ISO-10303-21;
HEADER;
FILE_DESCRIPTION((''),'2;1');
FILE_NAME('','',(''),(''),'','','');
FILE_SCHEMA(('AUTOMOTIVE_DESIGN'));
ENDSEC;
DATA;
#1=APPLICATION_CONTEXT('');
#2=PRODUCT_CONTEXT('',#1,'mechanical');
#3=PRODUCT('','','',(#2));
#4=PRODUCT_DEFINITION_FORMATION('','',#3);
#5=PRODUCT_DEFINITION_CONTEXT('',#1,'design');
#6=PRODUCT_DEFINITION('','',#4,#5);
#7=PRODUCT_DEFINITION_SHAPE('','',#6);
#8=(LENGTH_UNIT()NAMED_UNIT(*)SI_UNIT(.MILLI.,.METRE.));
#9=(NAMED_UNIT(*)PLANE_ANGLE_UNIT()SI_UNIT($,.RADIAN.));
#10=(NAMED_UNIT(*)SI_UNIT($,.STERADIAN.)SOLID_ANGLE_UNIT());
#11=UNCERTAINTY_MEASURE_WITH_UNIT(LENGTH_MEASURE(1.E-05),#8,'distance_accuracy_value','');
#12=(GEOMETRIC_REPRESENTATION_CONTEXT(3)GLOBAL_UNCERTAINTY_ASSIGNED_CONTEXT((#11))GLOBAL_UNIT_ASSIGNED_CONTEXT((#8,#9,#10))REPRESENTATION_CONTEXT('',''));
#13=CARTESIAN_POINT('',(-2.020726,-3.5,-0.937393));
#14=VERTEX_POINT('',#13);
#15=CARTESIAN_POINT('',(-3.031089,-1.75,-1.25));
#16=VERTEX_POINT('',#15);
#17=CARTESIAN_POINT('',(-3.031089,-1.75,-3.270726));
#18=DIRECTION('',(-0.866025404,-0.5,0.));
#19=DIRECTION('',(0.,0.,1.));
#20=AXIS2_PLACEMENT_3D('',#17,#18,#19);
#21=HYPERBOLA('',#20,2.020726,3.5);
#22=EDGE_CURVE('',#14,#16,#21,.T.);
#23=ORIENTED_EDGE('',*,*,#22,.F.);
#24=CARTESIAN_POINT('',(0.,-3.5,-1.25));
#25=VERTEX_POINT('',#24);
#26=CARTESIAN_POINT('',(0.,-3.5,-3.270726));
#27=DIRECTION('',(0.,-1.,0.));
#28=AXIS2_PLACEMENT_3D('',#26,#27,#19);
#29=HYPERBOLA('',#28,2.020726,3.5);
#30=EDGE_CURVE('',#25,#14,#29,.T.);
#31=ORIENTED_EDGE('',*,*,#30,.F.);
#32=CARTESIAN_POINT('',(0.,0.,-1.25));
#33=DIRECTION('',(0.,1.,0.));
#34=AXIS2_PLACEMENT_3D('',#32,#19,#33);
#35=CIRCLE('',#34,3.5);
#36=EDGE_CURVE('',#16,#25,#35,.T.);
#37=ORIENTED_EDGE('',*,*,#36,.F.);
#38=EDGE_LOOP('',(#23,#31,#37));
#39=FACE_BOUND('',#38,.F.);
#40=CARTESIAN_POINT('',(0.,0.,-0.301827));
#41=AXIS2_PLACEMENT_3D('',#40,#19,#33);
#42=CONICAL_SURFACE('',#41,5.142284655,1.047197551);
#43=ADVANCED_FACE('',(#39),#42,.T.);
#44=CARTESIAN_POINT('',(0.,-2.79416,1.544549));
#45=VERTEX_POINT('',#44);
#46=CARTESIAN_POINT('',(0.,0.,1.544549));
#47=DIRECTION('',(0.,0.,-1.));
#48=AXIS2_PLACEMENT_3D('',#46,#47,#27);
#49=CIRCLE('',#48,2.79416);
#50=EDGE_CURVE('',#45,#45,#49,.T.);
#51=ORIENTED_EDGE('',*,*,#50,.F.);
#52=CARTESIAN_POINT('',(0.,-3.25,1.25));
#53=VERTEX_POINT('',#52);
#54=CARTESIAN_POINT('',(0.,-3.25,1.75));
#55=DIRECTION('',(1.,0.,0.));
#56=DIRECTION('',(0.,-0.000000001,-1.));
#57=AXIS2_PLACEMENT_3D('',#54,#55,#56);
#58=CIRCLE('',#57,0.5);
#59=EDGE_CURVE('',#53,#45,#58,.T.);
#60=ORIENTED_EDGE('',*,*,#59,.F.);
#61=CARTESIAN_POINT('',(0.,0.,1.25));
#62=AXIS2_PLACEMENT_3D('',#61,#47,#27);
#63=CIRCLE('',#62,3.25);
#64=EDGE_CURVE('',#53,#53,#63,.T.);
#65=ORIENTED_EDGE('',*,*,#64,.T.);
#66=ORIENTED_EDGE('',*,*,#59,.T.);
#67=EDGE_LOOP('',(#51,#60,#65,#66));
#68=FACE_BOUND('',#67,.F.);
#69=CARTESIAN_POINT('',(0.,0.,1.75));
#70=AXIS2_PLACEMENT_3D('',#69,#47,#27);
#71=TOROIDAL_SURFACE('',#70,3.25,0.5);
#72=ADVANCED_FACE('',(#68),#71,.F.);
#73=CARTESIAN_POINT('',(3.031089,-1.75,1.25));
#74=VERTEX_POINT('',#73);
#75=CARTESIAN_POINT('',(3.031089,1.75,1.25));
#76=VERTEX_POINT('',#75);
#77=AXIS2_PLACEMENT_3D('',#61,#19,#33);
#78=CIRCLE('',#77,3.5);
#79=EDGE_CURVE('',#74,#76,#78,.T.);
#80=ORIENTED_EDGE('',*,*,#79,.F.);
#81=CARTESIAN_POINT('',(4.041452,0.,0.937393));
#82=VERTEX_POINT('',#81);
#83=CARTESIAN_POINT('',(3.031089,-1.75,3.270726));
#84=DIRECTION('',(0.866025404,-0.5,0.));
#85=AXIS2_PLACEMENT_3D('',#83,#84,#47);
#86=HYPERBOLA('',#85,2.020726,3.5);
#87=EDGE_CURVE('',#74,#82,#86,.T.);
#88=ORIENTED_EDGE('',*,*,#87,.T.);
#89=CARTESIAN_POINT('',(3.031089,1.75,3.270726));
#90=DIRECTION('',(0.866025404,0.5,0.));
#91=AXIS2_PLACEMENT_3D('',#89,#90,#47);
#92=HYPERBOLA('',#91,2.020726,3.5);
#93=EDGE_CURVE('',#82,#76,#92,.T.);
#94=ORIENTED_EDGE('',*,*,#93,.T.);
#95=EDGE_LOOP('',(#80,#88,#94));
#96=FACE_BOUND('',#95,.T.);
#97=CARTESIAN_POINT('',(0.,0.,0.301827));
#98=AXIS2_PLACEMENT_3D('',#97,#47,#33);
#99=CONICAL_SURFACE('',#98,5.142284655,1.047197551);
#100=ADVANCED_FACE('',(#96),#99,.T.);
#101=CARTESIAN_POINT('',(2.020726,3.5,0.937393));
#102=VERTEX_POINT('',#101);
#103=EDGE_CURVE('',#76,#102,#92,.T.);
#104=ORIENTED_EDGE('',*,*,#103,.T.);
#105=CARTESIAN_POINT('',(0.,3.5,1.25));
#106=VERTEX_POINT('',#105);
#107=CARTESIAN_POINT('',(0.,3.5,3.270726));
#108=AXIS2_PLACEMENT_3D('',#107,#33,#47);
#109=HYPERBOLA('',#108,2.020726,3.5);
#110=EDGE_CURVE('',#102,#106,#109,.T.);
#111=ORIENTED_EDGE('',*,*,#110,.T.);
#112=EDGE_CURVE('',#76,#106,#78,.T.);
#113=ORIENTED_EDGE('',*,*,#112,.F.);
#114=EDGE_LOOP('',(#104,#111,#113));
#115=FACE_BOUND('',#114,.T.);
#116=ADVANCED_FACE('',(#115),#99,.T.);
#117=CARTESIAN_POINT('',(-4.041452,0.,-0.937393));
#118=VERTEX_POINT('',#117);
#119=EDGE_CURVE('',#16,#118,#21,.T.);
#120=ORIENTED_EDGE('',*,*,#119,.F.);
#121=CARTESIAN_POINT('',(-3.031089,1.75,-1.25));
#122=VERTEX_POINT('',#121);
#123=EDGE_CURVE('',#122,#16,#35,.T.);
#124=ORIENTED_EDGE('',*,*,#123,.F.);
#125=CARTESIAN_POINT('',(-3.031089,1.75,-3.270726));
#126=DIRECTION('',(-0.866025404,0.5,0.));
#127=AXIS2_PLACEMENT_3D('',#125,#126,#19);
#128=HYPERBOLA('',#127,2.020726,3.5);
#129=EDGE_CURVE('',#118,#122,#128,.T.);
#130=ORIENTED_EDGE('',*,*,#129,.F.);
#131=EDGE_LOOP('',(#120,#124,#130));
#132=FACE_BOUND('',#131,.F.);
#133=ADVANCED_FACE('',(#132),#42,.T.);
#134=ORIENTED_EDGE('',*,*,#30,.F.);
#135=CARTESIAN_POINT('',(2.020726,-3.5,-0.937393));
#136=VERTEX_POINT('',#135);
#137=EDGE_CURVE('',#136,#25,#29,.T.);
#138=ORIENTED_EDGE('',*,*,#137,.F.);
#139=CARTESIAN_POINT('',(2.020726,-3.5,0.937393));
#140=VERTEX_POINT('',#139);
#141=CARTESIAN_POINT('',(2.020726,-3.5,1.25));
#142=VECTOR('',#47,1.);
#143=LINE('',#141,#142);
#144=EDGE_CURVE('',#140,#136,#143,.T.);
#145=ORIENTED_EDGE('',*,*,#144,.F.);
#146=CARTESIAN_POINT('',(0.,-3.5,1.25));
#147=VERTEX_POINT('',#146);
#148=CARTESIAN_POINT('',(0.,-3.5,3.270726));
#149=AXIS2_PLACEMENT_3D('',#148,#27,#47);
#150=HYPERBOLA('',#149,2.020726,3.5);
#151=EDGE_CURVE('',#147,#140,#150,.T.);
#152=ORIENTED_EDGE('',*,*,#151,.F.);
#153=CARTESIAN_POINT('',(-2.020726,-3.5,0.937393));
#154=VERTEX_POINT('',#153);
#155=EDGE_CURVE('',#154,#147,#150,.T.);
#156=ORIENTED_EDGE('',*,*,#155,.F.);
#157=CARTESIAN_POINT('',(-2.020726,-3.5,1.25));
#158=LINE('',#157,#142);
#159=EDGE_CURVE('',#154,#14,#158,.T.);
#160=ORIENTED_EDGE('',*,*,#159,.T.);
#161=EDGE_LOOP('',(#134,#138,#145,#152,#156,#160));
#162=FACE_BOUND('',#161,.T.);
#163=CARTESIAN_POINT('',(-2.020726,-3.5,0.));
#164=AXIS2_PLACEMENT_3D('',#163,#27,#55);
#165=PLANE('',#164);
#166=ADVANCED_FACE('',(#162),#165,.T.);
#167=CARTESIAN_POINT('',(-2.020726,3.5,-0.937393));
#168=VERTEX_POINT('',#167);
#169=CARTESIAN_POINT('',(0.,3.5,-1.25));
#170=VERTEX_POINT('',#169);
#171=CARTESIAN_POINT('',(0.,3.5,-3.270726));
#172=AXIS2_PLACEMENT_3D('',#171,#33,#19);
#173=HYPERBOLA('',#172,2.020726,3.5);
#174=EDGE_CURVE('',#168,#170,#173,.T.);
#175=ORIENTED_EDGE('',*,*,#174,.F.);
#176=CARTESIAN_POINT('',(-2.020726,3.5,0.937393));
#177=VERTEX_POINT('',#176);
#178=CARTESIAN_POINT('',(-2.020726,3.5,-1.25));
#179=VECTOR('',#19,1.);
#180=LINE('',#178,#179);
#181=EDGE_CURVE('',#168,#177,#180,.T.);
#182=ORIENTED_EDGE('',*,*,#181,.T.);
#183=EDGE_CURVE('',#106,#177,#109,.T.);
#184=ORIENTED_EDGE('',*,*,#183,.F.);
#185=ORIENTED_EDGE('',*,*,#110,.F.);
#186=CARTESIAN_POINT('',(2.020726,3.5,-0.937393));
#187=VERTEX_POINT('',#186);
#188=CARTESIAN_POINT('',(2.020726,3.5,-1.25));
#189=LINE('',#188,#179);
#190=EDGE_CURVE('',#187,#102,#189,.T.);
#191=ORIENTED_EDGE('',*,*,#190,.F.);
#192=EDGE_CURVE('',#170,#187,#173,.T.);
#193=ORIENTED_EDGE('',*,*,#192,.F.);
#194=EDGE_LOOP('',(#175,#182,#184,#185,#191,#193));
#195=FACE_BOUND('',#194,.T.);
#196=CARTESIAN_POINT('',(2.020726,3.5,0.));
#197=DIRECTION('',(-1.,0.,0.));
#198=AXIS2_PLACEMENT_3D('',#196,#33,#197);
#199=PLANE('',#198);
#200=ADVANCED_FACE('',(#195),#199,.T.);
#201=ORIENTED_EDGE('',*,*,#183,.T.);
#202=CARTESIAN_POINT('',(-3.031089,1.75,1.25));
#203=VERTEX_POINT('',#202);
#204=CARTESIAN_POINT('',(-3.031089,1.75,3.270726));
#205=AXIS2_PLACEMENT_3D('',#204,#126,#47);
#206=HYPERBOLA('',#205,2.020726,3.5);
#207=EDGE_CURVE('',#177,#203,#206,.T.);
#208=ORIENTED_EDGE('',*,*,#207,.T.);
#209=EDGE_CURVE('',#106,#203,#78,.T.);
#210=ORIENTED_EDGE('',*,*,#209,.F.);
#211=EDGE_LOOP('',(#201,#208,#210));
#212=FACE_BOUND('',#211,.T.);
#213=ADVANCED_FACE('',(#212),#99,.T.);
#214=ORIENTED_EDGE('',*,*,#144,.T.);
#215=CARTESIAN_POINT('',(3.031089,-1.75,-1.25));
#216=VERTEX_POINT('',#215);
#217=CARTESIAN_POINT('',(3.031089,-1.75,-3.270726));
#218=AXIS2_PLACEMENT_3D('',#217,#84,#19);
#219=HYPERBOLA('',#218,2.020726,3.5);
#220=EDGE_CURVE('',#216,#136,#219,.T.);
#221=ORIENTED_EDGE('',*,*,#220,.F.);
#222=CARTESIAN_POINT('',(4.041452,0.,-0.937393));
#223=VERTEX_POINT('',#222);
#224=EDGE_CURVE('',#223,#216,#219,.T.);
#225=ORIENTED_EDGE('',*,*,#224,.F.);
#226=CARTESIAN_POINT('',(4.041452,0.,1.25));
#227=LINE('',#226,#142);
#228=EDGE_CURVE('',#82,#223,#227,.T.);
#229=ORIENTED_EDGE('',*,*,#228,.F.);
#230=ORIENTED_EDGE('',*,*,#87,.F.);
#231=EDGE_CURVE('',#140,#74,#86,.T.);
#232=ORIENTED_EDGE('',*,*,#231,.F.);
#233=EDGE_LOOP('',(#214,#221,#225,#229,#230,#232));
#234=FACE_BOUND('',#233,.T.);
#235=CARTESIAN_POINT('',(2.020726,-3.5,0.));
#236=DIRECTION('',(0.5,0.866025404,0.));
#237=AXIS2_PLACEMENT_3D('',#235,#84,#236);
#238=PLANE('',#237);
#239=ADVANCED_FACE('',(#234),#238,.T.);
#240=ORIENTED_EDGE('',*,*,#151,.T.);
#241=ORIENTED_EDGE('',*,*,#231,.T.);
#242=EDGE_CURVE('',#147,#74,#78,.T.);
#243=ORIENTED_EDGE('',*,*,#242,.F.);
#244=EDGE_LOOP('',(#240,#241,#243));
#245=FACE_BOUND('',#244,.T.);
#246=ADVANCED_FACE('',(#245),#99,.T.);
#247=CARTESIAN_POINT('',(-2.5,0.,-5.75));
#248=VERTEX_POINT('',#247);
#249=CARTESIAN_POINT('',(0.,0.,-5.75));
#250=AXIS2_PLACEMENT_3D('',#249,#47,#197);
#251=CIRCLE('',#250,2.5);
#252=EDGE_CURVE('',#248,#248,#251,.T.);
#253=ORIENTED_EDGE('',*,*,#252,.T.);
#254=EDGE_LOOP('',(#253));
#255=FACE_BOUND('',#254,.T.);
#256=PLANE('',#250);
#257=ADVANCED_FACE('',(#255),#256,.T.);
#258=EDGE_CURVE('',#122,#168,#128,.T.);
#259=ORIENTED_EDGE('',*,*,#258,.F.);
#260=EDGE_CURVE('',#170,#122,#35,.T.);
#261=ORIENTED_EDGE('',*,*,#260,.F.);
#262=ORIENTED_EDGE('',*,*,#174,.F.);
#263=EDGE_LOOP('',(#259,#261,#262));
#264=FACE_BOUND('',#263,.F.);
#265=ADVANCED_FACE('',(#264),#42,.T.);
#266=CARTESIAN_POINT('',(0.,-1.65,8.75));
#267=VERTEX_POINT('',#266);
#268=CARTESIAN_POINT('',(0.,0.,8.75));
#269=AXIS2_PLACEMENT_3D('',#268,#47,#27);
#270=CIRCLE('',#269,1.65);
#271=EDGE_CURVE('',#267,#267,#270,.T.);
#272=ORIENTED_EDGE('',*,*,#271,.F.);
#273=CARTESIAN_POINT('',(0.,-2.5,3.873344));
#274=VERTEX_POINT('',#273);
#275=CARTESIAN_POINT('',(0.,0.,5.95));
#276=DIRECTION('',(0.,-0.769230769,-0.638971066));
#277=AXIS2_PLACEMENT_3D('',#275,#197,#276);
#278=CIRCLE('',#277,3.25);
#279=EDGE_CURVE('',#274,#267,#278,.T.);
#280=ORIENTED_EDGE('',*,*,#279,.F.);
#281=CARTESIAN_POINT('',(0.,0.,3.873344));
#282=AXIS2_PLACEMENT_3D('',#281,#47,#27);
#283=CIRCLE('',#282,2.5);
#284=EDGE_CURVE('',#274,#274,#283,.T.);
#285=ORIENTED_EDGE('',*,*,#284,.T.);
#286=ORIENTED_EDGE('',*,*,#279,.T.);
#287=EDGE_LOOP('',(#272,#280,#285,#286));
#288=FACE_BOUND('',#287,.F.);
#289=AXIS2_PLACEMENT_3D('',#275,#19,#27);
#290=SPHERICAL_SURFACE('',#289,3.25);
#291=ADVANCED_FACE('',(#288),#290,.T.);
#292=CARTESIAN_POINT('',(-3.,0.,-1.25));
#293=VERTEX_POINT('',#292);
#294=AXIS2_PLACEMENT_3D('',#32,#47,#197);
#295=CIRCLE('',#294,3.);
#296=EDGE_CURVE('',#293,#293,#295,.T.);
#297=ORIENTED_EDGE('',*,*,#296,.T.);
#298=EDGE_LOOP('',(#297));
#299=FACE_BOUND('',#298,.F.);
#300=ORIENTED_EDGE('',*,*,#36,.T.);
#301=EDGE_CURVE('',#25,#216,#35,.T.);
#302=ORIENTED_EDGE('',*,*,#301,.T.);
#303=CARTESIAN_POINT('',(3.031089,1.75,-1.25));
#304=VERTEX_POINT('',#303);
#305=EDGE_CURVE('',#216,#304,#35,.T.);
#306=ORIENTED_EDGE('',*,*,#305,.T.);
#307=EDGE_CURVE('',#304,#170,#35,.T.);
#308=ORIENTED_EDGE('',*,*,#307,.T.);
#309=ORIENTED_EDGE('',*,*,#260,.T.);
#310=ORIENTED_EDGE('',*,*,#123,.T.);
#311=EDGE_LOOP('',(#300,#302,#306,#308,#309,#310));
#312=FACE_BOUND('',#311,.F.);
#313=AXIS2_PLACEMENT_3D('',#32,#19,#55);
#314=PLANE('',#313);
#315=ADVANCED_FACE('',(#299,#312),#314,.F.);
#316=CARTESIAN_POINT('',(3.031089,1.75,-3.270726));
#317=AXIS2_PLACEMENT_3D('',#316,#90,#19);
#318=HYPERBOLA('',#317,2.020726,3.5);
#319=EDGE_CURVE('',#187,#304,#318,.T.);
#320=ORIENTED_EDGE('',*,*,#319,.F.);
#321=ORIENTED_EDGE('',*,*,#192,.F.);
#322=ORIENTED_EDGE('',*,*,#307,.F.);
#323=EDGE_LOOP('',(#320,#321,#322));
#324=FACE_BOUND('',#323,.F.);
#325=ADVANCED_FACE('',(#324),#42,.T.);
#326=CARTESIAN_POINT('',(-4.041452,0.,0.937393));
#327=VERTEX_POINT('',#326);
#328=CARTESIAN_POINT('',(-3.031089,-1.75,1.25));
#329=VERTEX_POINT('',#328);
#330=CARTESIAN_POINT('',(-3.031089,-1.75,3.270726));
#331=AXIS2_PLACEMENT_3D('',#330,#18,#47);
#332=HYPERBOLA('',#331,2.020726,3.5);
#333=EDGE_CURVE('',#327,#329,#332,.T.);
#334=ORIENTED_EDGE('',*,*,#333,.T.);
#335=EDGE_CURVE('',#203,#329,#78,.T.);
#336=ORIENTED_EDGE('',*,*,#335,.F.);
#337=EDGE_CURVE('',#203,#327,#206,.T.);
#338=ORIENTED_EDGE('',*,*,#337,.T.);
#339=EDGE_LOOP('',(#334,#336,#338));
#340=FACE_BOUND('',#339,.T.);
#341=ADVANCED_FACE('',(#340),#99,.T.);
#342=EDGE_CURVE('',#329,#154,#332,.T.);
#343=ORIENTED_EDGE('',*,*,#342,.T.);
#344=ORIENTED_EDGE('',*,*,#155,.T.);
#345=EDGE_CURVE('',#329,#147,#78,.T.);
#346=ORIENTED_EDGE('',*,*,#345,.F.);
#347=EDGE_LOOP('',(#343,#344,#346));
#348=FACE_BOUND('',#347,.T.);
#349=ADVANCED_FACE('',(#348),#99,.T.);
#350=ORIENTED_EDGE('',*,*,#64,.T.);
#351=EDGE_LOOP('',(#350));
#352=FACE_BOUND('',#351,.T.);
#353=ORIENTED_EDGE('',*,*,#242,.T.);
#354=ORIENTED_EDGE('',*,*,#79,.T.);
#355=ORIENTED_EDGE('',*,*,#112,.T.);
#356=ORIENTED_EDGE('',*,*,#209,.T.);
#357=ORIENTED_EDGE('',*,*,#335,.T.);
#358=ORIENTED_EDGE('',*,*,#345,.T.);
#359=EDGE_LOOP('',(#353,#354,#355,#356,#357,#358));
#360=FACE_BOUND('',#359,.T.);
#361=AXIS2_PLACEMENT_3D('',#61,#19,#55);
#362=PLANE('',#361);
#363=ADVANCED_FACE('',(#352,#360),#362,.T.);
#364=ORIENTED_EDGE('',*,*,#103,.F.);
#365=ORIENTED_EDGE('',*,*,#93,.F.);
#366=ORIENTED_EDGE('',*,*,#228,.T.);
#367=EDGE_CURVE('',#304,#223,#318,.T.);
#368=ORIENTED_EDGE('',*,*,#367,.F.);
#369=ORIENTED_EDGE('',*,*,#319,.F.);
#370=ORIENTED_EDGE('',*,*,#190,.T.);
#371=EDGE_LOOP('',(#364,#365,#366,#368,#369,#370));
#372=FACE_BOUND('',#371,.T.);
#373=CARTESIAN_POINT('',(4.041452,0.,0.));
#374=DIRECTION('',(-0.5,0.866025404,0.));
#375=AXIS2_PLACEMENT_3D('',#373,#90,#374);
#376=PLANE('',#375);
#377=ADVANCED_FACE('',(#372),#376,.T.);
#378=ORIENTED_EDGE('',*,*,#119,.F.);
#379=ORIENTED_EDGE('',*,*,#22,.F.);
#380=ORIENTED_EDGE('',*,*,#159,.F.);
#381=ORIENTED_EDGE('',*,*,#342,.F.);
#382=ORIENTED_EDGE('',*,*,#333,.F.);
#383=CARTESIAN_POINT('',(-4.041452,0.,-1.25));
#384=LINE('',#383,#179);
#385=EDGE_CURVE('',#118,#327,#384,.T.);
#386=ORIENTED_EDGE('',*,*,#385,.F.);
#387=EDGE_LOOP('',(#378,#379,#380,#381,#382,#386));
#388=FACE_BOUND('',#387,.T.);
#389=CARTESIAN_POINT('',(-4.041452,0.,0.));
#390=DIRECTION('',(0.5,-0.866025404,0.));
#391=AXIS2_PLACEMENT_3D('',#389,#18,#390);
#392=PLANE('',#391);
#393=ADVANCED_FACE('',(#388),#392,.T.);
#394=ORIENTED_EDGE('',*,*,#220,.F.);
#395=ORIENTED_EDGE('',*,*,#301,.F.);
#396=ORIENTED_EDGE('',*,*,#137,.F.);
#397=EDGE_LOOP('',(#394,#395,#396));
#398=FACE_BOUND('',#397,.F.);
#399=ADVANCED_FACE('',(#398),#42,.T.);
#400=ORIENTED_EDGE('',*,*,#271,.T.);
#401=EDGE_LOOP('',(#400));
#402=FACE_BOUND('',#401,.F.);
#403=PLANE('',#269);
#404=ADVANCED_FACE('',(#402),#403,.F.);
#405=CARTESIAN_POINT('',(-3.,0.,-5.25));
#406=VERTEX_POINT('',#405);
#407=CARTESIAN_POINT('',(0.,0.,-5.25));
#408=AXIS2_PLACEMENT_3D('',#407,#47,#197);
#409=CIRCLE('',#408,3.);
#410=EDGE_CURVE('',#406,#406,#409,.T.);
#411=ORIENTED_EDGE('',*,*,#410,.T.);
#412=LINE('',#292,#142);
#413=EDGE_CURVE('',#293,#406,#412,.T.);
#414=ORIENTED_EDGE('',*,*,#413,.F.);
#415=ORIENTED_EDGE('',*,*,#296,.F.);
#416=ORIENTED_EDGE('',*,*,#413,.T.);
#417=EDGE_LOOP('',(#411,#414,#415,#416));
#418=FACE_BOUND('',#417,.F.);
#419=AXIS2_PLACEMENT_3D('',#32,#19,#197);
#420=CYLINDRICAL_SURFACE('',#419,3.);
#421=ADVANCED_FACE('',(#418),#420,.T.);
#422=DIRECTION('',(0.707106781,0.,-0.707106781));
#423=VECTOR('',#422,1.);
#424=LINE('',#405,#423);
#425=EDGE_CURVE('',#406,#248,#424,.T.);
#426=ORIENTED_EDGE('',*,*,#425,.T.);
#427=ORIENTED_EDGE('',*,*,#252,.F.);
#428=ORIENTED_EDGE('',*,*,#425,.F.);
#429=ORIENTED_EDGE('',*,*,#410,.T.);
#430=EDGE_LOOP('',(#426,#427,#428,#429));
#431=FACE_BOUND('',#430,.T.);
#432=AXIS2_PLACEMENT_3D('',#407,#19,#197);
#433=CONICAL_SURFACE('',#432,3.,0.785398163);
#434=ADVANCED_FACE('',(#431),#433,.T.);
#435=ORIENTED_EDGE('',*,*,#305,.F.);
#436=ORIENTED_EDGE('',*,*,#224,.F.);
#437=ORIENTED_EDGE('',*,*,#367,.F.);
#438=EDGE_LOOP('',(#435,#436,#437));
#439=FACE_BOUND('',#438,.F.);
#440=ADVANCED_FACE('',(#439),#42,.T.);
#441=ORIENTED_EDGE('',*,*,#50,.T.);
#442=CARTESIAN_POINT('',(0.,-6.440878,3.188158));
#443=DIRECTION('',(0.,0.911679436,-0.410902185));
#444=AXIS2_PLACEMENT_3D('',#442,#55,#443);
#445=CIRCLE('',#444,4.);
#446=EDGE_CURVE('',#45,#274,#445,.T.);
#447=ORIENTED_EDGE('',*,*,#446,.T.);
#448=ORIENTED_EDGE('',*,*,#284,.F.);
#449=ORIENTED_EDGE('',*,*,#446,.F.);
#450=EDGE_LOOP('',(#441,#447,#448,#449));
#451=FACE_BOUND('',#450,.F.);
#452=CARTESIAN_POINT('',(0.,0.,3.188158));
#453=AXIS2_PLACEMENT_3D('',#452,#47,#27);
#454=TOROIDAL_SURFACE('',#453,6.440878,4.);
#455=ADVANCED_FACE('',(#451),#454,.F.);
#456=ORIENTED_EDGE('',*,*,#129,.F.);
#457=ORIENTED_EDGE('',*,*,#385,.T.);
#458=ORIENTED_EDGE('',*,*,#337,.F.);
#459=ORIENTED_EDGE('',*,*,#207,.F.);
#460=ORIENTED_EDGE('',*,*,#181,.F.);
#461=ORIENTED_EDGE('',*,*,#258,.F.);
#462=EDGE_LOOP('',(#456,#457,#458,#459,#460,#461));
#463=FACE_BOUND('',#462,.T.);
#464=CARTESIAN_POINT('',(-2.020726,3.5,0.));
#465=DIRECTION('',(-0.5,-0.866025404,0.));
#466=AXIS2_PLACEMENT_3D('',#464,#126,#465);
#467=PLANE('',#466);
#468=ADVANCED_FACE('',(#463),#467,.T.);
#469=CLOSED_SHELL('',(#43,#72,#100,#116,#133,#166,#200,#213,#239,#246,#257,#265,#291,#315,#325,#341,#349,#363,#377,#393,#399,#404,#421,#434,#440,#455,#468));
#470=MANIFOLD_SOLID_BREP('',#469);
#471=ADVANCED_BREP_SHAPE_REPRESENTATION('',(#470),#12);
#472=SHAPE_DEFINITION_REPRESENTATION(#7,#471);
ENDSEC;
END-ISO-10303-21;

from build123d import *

# Parameters (mm, degrees)
VYSUNOUT1_DEPTH = 1.25
SKICA4_R        = 3
VYSUNOUT2_DEPTH = 4.5
ZKOSIT1_SIZE    = 0.5


with BuildPart() as part:
    # Skica1 → Vysunout1 (new, symmetric)
    with BuildSketch(Plane.XY):
        Polygon((4.041451884, 0), (2.020725942, 3.5), (-2.020725942, 3.5), (-4.041451884, 0), (-2.020725942, -3.5), (2.020725942, -3.5), align=None)
    extrude(amount=VYSUNOUT1_DEPTH, both=True)

    # Skica2 → Odebrat otočením1 (revolve, cut)
    with BuildSketch(Plane(origin=(0, 0, 0), x_dir=(0, 0, -1), z_dir=(1, 0, 0))):
        Polygon((-1.25, 3.5), (-1.25, 5.142284655), (-0.301826512, 5.142284655), align=None)
    odebrat_oto_en_m1 = revolve(axis=Axis((0, 0, 1.25), (0, 0, 1)), mode=Mode.SUBTRACT)

    # Zrcadlit1: Odebrat otočením1 across plane
    add(odebrat_oto_en_m1.mirror(Plane.XY), mode=Mode.SUBTRACT)

    # Skica3 → Otočit kolem osy1 (revolve)
    with BuildSketch(Plane(origin=(0, 0, 0), x_dir=(0, 0, -1), z_dir=(1, 0, 0)), mode=Mode.PRIVATE) as oto_it_kolem_osy1_sk:
        with BuildLine():
            Line((-8.75, 1.65), (-8.75, 0))
            Line((-8.75, 0), (-1.25, 0))
            Line((-1.25, 0), (-1.25, 3.25))
            ThreePointArc((-1.25, 3.25), (-1.33004432, 2.978638199), (-1.544548907, 2.794160282))
            ThreePointArc((-1.544548907, 2.794160282), (-2.686883352, 2.472411814), (-3.873344034, 2.5))
            ThreePointArc((-3.873344034, 2.5), (-6.508060613, 3.201728963), (-8.75, 1.65))
        make_face()
    revolve(oto_it_kolem_osy1_sk.sketch.rotate(Axis((0, 0, 1.25), (0, 0, -1)), 180), axis=Axis((0, 0, 1.25), (0, 0, -1)))

    # Skica4 → Vysunout2 (add)
    with BuildSketch(Plane(origin=(0, 0, -1.25), x_dir=(-1, 0, 0), z_dir=(0, 0, -1))):
        Circle(SKICA4_R)
    extrude(amount=VYSUNOUT2_DEPTH)

    # Zkosit1
    zkosit1_edges = [part.edges().sort_by_distance(p)[0] for p in [
        (3, 0, -5.75),
    ]]
    chamfer(zkosit1_edges, length=ZKOSIT1_SIZE)


solid = part.part
